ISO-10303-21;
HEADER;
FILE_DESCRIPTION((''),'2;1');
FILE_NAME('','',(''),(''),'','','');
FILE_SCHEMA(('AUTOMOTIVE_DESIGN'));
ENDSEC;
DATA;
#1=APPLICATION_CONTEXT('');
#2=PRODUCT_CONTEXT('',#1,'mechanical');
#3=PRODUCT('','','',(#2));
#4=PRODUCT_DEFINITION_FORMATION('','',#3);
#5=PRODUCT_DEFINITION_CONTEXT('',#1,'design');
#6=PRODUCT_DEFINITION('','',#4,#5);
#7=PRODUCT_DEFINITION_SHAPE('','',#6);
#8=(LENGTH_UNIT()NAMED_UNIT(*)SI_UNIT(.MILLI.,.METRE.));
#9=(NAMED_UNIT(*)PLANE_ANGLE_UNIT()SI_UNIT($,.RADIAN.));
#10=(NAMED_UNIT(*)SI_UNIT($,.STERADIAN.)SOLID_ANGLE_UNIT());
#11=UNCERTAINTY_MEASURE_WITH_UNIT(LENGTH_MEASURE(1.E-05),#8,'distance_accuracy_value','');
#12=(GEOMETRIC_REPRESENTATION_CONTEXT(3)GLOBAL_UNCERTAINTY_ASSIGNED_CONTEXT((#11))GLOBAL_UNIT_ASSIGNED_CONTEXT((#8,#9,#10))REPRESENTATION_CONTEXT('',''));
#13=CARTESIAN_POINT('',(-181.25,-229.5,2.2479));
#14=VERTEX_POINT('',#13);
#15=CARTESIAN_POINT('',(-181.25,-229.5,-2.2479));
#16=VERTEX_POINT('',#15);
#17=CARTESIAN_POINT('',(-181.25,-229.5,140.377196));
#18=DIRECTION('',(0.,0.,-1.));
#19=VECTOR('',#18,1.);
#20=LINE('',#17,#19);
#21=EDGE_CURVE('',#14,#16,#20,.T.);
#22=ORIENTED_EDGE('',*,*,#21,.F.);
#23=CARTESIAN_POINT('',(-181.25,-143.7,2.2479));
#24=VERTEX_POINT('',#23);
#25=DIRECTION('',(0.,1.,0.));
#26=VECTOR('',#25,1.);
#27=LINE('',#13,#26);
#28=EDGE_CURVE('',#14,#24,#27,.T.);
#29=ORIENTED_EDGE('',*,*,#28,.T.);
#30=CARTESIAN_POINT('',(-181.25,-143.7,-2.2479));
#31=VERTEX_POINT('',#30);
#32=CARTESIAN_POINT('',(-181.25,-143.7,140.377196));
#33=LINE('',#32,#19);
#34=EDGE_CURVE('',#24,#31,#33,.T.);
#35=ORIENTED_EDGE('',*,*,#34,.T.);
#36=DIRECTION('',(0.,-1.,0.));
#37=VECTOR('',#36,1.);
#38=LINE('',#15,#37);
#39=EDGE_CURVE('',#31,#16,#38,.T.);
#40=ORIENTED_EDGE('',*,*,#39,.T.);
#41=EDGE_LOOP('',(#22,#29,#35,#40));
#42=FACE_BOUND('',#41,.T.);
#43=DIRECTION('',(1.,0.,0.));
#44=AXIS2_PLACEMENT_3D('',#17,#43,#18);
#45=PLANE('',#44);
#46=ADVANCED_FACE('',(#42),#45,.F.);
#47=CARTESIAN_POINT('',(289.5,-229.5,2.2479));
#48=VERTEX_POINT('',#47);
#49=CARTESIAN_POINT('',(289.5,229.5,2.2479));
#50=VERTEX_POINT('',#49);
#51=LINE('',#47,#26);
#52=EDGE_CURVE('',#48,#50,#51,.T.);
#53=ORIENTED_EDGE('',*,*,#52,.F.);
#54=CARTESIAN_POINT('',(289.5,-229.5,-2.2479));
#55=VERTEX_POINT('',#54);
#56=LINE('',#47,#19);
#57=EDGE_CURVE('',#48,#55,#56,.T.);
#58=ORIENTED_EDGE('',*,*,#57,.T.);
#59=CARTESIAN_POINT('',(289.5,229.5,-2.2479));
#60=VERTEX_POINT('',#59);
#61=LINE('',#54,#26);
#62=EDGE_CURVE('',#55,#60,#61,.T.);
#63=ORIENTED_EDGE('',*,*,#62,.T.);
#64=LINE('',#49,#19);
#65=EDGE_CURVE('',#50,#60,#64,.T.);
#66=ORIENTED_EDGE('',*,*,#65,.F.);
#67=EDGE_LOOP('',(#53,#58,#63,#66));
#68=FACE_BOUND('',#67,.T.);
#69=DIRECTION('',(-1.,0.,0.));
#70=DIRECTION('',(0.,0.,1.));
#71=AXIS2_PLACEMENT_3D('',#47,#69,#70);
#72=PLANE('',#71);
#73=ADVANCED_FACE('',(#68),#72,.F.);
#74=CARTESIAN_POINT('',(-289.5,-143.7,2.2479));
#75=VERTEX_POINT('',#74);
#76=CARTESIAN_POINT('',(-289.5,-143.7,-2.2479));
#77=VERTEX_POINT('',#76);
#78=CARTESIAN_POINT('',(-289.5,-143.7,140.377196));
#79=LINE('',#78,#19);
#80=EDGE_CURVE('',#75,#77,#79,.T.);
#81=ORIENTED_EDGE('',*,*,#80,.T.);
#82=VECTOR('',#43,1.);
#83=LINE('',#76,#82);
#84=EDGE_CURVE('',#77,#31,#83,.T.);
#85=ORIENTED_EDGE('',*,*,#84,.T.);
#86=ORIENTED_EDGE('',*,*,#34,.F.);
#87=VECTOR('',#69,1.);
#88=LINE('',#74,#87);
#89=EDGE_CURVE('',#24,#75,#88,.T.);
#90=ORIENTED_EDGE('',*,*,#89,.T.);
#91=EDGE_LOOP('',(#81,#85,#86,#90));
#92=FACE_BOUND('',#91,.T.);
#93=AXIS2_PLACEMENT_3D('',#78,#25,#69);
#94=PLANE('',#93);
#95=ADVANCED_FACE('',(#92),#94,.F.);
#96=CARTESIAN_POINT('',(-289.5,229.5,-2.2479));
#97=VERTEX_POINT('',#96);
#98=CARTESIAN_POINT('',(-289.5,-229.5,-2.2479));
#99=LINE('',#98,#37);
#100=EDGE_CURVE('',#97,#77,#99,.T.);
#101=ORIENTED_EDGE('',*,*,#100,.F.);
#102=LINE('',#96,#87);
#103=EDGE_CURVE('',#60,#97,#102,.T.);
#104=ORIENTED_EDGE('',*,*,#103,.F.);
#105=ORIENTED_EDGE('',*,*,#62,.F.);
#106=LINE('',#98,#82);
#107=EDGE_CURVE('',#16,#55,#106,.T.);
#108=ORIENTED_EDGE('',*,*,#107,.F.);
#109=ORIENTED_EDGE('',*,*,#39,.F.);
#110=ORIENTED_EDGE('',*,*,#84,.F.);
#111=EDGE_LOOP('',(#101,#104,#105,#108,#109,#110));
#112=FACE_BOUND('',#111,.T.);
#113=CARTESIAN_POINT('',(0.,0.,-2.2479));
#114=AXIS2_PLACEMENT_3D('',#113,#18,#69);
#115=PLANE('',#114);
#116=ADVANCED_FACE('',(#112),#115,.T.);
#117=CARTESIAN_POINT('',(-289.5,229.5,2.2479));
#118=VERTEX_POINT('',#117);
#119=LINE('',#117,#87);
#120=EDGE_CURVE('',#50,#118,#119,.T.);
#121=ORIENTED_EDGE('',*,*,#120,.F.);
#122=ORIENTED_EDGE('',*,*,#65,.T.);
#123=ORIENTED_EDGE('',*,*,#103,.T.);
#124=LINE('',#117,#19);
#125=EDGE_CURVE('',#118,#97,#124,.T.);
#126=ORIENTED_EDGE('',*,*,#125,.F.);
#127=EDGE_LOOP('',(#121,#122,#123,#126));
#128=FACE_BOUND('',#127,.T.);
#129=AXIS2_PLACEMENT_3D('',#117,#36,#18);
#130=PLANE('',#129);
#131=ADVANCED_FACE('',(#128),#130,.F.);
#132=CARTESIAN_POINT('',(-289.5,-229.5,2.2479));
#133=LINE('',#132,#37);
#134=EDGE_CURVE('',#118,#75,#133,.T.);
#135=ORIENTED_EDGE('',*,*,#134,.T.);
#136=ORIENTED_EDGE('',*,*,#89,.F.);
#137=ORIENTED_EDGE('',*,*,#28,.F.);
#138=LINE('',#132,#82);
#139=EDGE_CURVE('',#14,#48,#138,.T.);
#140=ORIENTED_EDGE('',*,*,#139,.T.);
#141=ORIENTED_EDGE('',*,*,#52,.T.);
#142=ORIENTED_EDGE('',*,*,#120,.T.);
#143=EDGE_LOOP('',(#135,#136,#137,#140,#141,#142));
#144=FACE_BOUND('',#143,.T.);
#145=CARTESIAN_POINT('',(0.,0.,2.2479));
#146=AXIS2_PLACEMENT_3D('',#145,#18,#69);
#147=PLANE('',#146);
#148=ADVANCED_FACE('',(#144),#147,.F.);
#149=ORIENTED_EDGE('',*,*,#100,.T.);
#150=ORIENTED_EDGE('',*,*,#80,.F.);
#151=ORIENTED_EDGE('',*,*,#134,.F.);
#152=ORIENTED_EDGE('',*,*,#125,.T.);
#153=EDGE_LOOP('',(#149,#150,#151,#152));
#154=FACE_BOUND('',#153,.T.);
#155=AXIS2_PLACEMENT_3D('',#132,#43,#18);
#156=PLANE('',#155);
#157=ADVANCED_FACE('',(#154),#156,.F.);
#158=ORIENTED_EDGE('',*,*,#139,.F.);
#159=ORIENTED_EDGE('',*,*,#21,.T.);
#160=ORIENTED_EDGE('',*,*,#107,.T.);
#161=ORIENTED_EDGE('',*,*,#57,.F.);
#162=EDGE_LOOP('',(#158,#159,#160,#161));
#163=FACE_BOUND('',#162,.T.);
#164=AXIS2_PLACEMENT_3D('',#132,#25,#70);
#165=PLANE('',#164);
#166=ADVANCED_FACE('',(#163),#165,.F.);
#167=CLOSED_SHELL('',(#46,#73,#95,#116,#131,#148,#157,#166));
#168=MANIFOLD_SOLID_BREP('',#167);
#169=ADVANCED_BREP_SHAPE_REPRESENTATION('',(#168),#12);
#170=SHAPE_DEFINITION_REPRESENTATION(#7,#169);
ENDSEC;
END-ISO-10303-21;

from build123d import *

# Parameters (mm, degrees)
SKETCH1_W           = 579
SKETCH1_H           = 459
BOSS_EXTRUDE1_DEPTH = 2.2479
SKETCH2_W           = 108.25
SKETCH2_H           = 85.8
CUT_EXTRUDE1_DEPTH  = 4.4958


with BuildPart() as part:
    # Sketch1 → Boss-Extrude1 (new body, symmetric)
    with BuildSketch(Plane.XY):
        Rectangle(SKETCH1_W, SKETCH1_H)
    extrude(amount=BOSS_EXTRUDE1_DEPTH, both=True)

    # Sketch2 → Cut-Extrude1 (cut)
    with BuildSketch(Plane(origin=(0, 0, -2.2479), x_dir=(-1, 0, 0), z_dir=(0, 0, -1))):
        with Locations((235.375, -186.6)):
            Rectangle(SKETCH2_W, SKETCH2_H)
    extrude(amount=-CUT_EXTRUDE1_DEPTH, mode=Mode.SUBTRACT)


solid = part.part
